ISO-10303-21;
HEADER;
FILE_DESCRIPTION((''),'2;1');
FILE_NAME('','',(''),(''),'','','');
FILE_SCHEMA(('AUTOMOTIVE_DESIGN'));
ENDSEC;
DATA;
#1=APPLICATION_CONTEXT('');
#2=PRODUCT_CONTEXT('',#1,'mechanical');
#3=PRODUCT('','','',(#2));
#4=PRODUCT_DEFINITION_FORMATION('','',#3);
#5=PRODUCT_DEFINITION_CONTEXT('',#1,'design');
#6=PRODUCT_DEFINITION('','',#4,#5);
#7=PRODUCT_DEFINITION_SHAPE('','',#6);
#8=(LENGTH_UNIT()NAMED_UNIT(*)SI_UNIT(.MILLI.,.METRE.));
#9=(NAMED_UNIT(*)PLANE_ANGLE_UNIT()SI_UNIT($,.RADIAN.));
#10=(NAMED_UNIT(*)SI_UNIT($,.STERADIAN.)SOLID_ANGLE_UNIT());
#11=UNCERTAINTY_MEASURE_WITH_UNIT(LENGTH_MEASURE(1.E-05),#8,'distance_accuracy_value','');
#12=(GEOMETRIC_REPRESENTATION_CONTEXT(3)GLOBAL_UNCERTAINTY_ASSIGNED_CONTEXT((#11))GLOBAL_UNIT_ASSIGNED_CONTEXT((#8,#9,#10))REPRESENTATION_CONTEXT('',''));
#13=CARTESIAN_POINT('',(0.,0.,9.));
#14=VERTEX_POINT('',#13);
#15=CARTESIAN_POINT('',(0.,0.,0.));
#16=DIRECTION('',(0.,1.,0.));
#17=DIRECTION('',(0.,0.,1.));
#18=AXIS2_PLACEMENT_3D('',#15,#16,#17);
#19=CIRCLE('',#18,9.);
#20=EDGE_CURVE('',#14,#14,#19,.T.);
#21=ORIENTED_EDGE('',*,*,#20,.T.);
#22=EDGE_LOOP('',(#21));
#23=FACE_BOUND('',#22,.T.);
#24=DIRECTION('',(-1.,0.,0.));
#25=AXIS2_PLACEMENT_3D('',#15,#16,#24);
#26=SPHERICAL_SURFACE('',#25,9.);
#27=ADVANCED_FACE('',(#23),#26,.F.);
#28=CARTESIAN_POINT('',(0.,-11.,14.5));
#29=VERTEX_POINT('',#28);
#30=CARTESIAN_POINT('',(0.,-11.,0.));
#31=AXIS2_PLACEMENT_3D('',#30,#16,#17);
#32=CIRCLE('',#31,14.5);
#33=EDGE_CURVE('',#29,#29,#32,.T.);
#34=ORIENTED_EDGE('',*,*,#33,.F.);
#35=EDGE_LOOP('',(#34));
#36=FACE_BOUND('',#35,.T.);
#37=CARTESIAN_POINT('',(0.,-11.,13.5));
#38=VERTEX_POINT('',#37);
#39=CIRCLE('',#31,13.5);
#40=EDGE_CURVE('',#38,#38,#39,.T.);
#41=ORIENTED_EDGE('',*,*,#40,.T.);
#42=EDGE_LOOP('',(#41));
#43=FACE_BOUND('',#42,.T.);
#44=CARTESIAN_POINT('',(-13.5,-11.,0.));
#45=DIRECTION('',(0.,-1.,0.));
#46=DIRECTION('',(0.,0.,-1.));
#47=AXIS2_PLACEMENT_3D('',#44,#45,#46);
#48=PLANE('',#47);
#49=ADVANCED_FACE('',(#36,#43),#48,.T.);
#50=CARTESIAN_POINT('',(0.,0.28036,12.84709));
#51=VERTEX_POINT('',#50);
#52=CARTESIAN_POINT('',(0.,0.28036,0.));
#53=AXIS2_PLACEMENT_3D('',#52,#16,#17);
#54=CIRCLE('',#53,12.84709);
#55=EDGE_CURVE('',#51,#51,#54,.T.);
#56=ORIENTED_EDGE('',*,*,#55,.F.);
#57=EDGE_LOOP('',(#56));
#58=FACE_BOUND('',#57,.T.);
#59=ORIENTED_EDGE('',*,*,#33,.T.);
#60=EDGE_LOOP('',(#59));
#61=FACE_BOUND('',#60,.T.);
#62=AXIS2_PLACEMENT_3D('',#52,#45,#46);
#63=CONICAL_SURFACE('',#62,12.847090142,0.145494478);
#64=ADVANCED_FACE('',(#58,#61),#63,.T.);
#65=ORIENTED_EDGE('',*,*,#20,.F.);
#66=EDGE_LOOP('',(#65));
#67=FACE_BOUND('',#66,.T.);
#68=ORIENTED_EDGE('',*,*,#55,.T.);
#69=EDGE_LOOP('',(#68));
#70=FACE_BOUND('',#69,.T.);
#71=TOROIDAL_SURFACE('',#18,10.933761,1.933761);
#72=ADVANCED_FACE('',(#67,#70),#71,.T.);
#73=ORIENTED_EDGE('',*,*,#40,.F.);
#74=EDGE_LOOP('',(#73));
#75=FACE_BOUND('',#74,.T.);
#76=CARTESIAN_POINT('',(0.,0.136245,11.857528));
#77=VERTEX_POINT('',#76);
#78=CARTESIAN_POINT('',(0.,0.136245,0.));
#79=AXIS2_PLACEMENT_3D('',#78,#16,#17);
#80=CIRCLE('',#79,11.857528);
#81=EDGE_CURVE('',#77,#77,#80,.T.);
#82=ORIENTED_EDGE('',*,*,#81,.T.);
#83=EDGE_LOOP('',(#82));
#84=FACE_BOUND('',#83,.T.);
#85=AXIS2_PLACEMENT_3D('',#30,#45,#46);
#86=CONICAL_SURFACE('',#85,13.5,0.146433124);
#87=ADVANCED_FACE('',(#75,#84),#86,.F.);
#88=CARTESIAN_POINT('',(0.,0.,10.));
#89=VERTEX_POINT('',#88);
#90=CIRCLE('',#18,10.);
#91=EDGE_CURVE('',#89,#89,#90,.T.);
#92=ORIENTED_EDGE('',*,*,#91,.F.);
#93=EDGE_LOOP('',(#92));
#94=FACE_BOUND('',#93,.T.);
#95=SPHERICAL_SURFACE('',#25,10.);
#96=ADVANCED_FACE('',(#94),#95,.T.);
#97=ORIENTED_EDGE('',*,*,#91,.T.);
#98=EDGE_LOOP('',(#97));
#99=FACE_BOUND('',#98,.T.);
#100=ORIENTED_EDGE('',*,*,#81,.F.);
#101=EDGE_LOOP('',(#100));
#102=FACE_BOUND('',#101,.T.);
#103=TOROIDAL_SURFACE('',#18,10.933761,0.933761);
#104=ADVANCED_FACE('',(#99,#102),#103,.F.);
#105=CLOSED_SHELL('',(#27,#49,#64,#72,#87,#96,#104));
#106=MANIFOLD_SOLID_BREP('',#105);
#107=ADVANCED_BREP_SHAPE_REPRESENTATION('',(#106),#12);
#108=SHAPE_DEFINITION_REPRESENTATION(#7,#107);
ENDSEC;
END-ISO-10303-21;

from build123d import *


with BuildPart() as part:
    # Esquisse1 → Révolution1 (revolve)
    with BuildSketch(Plane.XY, mode=Mode.PRIVATE) as r_volution1_sk:
        with BuildLine():
            Line((0, -10), (0, -9))
            ThreePointArc((0, -9), (-6.363961031, -6.363961031), (-9, 0))
            ThreePointArc((-9, 0), (-10.793209092, 1.928646174), (-12.847090142, 0.28035993))
            Line((-12.847090142, 0.28035993), (-14.5, -11))
            Line((-14.5, -11), (-13.5, -11))
            Line((-13.5, -11), (-11.857528326, 0.13624538))
            ThreePointArc((-11.857528326, 0.13624538), (-10.865455114, 0.931259132), (-10, 0))
            ThreePointArc((-10, 0), (-7.071067812, -7.071067812), (0, -10))
        make_face()
    revolve(r_volution1_sk.sketch.rotate(Axis((0, 18.017703437, 0), (0, -1, 0)), 270), axis=Axis((0, 18.017703437, 0), (0, -1, 0)))


solid = part.part
